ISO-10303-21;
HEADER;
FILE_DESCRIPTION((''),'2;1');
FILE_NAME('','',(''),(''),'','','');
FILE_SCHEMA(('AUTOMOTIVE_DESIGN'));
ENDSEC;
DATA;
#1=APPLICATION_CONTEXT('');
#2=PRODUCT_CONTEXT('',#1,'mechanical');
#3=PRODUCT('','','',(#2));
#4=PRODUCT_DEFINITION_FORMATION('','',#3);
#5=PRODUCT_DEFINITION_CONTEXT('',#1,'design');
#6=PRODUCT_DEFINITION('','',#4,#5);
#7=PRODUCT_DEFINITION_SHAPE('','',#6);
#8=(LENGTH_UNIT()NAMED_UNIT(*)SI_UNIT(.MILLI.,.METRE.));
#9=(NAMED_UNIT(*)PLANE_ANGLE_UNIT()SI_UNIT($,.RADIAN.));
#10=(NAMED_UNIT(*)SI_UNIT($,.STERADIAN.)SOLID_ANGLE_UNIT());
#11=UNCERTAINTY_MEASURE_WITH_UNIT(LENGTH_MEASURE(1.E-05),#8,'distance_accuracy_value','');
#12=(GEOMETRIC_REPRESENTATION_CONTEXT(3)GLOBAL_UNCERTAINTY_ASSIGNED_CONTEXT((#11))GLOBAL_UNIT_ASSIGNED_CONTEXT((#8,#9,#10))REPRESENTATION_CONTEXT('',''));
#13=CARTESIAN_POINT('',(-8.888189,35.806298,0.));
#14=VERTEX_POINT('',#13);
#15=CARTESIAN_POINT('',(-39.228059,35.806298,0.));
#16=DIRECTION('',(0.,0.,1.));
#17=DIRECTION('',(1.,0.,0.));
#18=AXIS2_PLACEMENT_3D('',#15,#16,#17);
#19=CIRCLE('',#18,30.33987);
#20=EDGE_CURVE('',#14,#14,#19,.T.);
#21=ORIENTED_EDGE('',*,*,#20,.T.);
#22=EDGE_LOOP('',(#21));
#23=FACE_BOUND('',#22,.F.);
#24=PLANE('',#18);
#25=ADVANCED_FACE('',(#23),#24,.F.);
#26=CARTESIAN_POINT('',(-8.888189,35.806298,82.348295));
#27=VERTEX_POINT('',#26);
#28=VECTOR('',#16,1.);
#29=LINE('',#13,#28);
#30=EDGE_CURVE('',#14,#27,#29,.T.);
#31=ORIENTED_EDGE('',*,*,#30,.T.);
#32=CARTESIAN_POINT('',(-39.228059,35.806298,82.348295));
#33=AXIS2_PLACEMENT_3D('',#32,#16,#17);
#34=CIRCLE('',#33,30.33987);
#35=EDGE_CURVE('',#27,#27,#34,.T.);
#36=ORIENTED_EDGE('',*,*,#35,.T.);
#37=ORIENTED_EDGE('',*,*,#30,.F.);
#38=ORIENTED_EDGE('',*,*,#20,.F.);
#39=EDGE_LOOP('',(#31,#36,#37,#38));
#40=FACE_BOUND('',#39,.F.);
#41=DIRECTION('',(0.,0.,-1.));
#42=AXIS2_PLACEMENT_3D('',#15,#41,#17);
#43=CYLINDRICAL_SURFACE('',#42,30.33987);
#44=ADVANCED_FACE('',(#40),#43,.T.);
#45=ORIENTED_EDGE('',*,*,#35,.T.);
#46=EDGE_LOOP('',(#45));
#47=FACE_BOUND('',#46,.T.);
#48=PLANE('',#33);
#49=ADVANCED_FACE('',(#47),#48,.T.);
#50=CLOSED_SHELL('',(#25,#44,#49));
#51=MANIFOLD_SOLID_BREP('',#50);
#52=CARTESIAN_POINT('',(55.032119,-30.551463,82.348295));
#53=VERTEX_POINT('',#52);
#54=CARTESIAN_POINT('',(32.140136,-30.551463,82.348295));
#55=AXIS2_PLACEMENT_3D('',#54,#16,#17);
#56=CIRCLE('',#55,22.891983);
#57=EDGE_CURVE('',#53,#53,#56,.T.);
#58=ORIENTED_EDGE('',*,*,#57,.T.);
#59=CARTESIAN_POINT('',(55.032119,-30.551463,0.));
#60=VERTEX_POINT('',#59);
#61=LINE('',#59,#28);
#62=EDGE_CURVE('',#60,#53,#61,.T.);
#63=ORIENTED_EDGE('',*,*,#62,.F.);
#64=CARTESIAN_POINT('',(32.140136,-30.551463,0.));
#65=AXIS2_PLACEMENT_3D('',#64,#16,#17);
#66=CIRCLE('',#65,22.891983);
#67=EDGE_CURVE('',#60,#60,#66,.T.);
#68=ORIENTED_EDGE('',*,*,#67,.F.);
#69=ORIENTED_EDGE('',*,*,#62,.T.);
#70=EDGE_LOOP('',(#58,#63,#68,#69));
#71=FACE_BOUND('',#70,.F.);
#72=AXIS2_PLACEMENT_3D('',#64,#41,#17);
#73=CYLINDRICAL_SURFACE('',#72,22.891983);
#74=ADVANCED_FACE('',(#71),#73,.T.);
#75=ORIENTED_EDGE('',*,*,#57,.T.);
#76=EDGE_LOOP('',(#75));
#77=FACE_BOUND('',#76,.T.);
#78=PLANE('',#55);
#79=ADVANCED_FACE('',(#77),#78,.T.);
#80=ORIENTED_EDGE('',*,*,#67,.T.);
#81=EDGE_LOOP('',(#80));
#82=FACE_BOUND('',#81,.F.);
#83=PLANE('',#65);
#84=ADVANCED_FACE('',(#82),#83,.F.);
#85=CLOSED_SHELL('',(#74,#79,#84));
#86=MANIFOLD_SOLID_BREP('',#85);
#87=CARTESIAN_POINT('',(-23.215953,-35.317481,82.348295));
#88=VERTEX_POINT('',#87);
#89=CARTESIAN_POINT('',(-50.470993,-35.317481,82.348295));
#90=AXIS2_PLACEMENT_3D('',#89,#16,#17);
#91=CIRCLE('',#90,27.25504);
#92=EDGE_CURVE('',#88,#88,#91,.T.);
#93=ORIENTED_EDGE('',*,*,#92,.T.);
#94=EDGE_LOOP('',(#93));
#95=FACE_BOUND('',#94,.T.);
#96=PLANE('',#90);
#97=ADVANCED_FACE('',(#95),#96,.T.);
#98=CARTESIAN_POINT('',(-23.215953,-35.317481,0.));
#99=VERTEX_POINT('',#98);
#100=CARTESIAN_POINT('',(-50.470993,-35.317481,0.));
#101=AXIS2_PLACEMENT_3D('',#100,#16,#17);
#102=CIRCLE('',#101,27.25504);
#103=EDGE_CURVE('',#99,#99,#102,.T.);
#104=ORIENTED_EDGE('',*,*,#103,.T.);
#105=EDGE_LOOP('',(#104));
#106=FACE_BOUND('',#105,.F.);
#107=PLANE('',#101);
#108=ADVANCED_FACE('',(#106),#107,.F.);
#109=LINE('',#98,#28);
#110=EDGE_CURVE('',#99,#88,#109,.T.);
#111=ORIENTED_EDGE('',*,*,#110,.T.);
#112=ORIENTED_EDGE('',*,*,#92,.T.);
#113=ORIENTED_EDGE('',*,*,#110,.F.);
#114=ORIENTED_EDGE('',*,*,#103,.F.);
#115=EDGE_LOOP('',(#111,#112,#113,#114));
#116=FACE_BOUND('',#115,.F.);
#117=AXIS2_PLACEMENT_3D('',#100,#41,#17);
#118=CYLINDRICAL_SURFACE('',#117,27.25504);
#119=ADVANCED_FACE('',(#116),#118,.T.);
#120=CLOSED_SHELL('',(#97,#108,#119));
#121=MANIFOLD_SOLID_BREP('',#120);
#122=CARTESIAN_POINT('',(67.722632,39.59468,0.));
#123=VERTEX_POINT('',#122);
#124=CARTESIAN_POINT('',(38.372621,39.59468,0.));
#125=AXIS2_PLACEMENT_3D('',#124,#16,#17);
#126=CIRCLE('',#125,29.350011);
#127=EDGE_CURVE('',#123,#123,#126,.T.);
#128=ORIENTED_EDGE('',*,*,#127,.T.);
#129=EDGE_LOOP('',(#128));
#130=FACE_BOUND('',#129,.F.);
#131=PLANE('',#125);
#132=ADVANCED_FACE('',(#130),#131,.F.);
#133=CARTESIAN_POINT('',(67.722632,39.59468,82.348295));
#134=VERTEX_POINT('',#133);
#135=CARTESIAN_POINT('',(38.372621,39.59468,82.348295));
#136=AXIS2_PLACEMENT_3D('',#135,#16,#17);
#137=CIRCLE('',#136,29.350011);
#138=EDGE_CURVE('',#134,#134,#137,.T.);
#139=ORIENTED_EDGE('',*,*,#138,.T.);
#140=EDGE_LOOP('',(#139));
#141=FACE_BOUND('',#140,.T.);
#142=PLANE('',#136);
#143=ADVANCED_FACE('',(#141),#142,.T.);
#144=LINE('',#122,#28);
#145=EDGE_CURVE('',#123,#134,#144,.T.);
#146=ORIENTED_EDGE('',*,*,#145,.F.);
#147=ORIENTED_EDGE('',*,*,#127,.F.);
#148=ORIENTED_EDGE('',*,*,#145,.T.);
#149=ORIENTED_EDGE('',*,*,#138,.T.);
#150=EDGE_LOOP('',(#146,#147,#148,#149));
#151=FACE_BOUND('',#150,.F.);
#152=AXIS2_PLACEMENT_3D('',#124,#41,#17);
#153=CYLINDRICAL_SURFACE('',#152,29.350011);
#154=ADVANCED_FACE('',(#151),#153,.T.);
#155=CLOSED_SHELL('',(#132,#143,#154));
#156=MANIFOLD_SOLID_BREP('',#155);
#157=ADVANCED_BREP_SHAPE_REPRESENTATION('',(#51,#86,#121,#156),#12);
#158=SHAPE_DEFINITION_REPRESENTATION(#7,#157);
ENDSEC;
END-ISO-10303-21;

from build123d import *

# Parameters (mm, degrees)
F0_R     = 30.33987
F0_R_2   = 29.350011
F0_R_3   = 22.891983
F0_R_4   = 27.25504
F1_DEPTH = 82.348295


with BuildPart() as f1:
    # F0 (on Top) → F1 (new body)
    with BuildSketch(Plane.XY):
        with Locations((-39.228059, 35.806298)):
            Circle(F0_R)
        with Locations((38.372621, 39.59468)):
            Circle(F0_R_2)
        with Locations((32.140136, -30.551463)):
            Circle(F0_R_3)
        with Locations((-50.470993, -35.317481)):
            Circle(F0_R_4)
    extrude(amount=F1_DEPTH)


solid = f1.part
